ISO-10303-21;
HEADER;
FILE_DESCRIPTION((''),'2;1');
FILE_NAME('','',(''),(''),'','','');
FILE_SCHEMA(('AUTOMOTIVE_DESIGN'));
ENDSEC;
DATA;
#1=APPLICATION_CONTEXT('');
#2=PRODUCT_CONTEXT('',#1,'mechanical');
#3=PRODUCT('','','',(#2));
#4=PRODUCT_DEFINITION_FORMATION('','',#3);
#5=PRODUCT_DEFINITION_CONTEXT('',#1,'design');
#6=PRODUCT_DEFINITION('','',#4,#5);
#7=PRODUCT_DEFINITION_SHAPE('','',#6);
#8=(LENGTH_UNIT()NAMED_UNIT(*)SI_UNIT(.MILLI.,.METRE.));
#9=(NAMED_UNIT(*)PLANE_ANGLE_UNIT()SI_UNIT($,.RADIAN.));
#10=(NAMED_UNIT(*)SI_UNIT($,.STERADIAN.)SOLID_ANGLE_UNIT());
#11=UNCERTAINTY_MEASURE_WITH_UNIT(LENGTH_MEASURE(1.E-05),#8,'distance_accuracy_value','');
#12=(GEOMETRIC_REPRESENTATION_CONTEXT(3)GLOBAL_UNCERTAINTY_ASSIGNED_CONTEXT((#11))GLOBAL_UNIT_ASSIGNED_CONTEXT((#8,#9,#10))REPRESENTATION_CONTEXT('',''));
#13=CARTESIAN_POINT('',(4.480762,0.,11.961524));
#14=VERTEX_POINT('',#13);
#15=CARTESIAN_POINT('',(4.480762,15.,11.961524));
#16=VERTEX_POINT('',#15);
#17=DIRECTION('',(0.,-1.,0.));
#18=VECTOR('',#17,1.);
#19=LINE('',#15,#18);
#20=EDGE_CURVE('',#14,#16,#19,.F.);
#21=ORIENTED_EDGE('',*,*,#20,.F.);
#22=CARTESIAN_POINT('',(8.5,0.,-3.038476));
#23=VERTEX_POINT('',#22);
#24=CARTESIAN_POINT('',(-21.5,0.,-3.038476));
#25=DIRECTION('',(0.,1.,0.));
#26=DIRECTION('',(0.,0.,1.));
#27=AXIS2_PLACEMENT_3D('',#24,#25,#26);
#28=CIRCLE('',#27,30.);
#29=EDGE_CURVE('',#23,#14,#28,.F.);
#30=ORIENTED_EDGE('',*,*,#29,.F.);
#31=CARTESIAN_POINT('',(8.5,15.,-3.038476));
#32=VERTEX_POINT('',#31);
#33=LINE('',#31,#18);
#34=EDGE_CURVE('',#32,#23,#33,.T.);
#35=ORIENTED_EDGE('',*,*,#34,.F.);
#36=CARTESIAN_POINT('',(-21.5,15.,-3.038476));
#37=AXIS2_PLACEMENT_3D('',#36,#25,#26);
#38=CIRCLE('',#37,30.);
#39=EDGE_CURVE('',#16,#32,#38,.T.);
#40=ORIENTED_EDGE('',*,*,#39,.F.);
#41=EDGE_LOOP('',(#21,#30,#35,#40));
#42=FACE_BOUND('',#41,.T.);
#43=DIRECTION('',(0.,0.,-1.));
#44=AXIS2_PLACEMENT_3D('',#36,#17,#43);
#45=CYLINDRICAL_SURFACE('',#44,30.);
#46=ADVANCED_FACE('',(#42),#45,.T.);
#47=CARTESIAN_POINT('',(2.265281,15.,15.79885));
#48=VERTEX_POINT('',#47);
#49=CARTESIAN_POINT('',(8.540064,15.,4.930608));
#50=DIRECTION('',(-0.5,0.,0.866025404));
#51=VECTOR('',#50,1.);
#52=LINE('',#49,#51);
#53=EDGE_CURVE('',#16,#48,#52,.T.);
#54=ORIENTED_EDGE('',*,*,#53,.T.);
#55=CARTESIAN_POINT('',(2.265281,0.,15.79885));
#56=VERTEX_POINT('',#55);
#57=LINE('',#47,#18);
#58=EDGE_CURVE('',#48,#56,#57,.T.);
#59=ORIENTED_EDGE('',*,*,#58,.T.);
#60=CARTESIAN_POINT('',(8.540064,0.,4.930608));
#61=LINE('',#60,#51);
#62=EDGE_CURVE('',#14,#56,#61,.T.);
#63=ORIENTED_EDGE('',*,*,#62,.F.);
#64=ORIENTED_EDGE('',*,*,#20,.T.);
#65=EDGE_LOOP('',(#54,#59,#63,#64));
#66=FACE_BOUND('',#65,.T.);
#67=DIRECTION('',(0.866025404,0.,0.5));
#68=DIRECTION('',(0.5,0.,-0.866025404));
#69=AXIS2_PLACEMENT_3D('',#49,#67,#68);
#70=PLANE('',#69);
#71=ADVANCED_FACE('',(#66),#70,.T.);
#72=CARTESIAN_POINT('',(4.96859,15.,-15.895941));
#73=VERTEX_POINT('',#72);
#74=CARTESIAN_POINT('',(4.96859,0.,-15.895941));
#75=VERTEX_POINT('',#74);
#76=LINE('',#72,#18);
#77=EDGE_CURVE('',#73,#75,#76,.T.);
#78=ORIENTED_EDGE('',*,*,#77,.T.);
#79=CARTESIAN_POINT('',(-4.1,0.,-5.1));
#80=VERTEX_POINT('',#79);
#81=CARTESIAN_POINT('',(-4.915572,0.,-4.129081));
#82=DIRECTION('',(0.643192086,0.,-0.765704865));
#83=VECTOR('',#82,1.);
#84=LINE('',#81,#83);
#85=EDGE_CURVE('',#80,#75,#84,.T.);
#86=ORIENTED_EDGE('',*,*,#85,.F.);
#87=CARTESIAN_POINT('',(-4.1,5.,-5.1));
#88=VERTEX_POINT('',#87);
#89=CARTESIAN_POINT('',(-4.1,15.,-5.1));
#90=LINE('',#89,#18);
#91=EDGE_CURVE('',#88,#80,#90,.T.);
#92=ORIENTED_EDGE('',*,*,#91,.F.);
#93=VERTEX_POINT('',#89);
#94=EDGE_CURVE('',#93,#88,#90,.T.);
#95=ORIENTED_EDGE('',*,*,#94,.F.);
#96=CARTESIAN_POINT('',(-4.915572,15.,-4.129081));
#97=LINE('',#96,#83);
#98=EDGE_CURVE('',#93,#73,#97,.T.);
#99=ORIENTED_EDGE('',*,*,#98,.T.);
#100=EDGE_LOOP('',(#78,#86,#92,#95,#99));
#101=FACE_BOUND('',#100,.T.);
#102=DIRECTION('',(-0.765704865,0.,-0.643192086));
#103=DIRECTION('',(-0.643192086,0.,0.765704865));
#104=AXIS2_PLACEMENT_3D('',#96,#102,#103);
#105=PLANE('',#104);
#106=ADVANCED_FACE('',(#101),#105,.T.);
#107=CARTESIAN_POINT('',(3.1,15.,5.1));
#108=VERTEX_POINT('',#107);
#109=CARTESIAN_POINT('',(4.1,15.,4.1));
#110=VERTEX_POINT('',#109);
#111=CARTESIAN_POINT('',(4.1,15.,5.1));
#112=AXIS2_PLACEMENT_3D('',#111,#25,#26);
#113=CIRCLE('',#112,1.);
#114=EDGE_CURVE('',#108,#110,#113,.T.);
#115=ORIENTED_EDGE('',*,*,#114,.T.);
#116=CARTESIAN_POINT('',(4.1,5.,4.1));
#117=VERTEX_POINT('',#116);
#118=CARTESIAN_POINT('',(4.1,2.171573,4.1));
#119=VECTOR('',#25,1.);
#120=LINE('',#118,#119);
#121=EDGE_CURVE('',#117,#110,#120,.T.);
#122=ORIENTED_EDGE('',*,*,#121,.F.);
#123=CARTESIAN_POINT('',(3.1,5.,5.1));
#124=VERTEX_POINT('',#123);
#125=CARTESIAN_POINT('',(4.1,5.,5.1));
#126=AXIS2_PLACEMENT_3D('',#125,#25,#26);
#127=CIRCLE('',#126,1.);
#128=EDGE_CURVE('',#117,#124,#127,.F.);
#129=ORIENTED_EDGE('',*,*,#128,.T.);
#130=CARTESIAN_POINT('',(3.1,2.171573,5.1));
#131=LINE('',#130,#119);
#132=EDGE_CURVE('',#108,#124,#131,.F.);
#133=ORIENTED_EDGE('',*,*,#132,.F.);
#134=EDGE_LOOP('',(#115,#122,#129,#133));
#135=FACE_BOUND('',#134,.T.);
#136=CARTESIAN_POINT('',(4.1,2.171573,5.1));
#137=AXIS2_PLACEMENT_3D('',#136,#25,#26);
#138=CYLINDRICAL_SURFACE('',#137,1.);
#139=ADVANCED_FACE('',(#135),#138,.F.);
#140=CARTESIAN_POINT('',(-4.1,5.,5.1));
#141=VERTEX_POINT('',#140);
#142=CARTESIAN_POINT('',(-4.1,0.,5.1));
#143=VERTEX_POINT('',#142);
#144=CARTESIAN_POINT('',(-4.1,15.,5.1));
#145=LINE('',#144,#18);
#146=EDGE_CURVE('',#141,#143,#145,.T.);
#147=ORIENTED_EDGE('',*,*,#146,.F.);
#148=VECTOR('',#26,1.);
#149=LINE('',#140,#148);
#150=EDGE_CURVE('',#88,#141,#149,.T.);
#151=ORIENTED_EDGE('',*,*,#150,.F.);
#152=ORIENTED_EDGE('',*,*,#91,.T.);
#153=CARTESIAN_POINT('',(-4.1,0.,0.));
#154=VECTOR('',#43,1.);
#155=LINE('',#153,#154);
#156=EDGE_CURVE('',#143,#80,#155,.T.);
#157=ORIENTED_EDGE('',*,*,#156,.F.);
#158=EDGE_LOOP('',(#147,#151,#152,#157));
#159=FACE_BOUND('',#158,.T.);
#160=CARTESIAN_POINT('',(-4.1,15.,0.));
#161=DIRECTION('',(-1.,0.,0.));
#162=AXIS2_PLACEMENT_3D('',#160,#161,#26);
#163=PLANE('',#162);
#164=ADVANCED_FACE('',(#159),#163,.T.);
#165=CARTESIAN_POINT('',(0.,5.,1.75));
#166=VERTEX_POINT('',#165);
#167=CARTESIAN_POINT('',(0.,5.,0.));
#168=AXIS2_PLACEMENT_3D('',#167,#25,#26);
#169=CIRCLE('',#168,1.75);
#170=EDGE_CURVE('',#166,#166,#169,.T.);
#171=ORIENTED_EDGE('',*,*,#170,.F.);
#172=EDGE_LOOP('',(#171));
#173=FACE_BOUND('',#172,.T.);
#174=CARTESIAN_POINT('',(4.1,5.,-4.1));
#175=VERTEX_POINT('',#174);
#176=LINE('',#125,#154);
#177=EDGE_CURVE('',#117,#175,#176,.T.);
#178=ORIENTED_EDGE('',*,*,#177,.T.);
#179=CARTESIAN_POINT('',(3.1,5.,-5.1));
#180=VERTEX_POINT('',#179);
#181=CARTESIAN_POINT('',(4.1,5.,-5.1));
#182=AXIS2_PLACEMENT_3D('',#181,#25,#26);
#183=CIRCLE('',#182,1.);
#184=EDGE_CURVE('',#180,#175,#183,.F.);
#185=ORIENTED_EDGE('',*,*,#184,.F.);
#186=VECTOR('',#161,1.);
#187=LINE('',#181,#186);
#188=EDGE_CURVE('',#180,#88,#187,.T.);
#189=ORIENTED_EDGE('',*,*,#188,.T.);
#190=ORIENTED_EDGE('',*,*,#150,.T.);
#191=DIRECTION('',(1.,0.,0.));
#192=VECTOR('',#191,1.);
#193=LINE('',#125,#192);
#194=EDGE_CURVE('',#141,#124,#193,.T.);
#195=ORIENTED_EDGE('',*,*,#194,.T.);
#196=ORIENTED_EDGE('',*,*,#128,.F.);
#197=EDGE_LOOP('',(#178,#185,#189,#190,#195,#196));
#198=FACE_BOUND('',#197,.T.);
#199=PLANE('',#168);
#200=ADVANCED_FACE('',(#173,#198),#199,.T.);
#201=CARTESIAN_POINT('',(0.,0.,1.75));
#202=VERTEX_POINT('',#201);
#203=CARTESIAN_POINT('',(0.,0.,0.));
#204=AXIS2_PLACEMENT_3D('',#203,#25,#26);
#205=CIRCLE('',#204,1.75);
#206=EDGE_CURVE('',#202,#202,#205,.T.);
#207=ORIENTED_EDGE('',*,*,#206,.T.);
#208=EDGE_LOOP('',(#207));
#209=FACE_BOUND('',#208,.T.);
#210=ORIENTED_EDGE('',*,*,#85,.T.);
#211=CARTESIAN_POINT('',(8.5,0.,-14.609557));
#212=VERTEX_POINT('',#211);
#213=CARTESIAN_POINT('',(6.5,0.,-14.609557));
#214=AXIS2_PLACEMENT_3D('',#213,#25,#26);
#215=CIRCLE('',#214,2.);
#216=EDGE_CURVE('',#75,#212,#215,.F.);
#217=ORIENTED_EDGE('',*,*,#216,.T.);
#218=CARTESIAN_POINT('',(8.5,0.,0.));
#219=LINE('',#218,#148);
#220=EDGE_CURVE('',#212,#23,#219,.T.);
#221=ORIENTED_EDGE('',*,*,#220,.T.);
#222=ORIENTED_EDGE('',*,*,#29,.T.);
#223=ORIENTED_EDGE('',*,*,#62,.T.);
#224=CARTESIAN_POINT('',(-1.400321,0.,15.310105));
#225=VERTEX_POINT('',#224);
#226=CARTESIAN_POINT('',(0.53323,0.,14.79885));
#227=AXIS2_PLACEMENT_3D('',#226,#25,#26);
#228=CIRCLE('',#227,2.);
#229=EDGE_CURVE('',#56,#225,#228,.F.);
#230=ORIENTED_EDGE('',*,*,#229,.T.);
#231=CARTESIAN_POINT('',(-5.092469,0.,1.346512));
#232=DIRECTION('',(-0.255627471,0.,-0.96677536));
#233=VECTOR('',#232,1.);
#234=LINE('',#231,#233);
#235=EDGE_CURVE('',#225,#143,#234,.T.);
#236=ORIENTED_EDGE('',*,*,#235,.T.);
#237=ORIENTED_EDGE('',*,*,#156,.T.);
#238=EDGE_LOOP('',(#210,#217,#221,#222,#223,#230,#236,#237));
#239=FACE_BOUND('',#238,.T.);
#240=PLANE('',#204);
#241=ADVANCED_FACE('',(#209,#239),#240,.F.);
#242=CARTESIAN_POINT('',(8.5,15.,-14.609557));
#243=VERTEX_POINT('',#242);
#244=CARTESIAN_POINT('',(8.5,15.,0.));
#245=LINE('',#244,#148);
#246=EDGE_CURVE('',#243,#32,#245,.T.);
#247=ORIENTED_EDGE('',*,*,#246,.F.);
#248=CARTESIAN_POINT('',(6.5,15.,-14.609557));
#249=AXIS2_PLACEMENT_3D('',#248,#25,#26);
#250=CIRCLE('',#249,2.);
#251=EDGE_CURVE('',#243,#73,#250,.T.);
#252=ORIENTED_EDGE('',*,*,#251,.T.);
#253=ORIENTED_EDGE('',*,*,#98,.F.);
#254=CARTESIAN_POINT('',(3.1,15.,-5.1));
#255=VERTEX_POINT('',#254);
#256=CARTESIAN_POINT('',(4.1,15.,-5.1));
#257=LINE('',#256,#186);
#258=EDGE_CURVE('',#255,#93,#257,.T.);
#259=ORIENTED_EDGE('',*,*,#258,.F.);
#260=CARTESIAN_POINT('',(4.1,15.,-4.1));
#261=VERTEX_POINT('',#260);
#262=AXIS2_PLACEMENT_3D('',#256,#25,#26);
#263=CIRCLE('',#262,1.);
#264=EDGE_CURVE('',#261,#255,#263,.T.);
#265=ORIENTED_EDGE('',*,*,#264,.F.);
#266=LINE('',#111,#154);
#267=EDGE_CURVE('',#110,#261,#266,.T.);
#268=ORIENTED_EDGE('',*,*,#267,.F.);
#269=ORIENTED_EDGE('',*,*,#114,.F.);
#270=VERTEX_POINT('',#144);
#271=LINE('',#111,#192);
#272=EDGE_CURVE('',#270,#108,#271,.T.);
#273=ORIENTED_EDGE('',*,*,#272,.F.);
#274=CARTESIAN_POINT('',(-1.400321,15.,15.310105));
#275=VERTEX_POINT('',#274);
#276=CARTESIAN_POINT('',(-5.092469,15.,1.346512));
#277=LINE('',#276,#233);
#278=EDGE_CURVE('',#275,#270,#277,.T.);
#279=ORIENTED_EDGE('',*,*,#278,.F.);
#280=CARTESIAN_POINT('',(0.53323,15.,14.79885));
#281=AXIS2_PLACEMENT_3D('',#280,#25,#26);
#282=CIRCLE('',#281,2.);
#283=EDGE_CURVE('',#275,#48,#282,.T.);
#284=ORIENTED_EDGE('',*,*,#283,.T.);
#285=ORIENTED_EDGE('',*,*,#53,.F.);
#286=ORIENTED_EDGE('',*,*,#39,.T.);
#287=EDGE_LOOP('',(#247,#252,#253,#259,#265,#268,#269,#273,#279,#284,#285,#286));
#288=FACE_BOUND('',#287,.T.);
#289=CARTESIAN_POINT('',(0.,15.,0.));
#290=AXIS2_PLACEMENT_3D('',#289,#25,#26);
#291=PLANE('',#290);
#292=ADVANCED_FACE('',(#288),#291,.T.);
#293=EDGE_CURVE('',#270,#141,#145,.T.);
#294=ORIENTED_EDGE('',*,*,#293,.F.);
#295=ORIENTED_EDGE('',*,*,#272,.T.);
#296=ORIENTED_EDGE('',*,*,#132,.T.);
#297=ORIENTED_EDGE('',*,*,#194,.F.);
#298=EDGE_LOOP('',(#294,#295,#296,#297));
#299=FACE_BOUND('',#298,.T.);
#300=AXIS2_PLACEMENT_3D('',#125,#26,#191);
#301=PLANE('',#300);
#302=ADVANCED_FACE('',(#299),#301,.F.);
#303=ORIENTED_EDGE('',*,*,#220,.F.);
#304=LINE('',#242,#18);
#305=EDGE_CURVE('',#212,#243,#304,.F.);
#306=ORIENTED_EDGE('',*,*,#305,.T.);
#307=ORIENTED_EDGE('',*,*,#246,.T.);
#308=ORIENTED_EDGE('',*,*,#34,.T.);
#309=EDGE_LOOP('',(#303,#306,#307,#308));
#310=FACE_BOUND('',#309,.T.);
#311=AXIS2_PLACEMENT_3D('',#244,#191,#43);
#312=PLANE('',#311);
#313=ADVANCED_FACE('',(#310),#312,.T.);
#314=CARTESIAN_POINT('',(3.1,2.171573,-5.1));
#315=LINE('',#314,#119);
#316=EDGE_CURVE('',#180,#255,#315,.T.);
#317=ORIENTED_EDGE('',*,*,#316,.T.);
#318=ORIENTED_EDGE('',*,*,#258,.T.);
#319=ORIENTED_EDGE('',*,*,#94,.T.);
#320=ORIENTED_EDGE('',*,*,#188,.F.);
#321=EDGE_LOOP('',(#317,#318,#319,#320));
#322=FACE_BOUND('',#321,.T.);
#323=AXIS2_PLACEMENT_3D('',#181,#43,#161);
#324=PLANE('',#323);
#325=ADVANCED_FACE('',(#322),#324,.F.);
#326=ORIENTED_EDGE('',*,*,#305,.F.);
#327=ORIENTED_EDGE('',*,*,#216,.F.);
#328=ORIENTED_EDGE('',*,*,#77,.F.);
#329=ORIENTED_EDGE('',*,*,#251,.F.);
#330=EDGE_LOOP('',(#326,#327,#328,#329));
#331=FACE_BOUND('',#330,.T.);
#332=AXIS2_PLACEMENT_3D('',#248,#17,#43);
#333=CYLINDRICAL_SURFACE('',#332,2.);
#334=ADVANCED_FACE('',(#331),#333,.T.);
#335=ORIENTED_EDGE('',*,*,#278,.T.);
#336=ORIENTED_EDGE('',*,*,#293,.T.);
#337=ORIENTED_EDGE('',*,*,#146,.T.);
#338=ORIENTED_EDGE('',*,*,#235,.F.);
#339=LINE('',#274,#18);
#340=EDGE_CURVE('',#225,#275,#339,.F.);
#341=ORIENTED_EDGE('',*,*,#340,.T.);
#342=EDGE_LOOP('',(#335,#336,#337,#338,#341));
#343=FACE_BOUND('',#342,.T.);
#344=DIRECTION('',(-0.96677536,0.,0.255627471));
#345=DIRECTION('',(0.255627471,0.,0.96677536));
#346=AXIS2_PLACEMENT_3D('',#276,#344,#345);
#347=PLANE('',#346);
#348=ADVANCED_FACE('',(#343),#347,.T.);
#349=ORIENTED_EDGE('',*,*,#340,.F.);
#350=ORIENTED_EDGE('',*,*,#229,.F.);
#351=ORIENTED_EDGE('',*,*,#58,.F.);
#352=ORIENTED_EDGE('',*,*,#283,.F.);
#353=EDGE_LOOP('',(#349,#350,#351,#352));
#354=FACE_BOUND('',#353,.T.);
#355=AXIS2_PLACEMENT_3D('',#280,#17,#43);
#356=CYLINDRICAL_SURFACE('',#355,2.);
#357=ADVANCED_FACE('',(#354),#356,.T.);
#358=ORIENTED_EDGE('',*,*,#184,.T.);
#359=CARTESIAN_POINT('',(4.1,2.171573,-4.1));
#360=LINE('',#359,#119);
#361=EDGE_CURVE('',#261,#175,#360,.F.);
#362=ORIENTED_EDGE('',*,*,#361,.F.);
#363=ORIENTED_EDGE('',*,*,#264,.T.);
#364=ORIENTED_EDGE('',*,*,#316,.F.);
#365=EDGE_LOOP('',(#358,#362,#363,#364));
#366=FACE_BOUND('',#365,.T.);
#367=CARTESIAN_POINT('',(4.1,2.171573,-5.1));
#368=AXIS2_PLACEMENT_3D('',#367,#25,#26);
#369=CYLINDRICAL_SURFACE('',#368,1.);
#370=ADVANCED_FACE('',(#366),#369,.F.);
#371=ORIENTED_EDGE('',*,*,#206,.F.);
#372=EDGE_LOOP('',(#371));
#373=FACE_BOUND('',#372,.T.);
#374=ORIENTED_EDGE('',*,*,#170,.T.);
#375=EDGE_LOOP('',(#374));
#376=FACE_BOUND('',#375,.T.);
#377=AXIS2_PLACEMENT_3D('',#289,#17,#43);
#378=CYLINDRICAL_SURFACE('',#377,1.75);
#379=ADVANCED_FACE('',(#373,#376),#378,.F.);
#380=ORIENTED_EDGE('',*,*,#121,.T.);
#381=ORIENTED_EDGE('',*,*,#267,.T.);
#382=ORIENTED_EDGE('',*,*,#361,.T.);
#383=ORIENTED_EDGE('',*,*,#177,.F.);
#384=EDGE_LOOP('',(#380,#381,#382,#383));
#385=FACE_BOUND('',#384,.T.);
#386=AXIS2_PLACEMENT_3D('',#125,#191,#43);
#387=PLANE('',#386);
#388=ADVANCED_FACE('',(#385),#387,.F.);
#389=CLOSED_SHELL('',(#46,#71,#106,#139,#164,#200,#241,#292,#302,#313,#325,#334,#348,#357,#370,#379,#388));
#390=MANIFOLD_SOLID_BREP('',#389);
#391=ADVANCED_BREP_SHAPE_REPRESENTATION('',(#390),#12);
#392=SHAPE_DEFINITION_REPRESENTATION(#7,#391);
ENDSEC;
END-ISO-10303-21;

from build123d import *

# Parameters (mm, degrees)
SKETCH_1_W          = 8.2
SKETCH_1_H          = 10.2
SKETCH_1_R          = 1.75
EXTRUDE_1_DEPTH     = 15
SKETCH_2_W          = 8.2
SKETCH_2_H          = 10.2
CUT_EXTRUDE_1_DEPTH = 10
SKETCH_4_R          = 1
CUT_EXTRUDE_2_DEPTH = 10
FILLET_1_R          = 30
FILLET_2_R          = 2


with BuildPart() as part:
    # ｽｹｯﾁ1 → ﾎﾞｽ - 押し出し1 (new body)
    # profile 1 of 2: a face of its own
    with BuildSketch(Plane(origin=(0, 0, 0), x_dir=(1, 0, 0), z_dir=(0, 1, 0))):
        Polygon((-0.160254038, -20), (-4.1, -5.1), (4.1, -5.1), (4.1, 5.1), (-4.1, 5.1), (8.5, 20.1), (8.5, -5), align=None)
    # profile 2 of 2: a face of its own
    with BuildSketch(Plane(origin=(0, 0, 0), x_dir=(1, 0, 0), z_dir=(0, 1, 0))):
        Rectangle(SKETCH_1_W, SKETCH_1_H)
        with Locations(Location((0, 0, 0), (0, 0, 270))):
            Circle(SKETCH_1_R, mode=Mode.SUBTRACT)
    extrude(amount=EXTRUDE_1_DEPTH)

    # ｽｹｯﾁ2 → ｶｯﾄ - 押し出し1 (cut)
    with BuildSketch(Plane(origin=(0, 15, 0), x_dir=(1, 0, 0), z_dir=(0, 1, 0))):
        Rectangle(SKETCH_2_W, SKETCH_2_H)
    extrude(amount=-CUT_EXTRUDE_1_DEPTH, mode=Mode.SUBTRACT)

    # ｽｹｯﾁ4 → ｶｯﾄ - 押し出し2 (cut)
    with BuildSketch(Plane(origin=(0, 15, 0), x_dir=(1, 0, 0), z_dir=(0, 1, 0))):
        with Locations((4.1, 5.1)):
            Circle(SKETCH_4_R)
        with Locations((4.1, -5.1)):
            Circle(SKETCH_4_R)
    extrude(amount=-CUT_EXTRUDE_2_DEPTH, mode=Mode.SUBTRACT)

    # ﾌｨﾚｯﾄ1
    fillet_1_edges = [part.edges().sort_by_distance(p)[0] for p in [
        (8.5, 7.5, 5),
    ]]
    fillet(fillet_1_edges, radius=FILLET_1_R)

    # ﾌｨﾚｯﾄ2
    fillet_2_edges = [part.edges().sort_by_distance(p)[0] for p in [
        (8.5, 7.5, -20.1),
        (-0.160254038, 7.5, 20),
    ]]
    fillet(fillet_2_edges, radius=FILLET_2_R)


solid = part.part
